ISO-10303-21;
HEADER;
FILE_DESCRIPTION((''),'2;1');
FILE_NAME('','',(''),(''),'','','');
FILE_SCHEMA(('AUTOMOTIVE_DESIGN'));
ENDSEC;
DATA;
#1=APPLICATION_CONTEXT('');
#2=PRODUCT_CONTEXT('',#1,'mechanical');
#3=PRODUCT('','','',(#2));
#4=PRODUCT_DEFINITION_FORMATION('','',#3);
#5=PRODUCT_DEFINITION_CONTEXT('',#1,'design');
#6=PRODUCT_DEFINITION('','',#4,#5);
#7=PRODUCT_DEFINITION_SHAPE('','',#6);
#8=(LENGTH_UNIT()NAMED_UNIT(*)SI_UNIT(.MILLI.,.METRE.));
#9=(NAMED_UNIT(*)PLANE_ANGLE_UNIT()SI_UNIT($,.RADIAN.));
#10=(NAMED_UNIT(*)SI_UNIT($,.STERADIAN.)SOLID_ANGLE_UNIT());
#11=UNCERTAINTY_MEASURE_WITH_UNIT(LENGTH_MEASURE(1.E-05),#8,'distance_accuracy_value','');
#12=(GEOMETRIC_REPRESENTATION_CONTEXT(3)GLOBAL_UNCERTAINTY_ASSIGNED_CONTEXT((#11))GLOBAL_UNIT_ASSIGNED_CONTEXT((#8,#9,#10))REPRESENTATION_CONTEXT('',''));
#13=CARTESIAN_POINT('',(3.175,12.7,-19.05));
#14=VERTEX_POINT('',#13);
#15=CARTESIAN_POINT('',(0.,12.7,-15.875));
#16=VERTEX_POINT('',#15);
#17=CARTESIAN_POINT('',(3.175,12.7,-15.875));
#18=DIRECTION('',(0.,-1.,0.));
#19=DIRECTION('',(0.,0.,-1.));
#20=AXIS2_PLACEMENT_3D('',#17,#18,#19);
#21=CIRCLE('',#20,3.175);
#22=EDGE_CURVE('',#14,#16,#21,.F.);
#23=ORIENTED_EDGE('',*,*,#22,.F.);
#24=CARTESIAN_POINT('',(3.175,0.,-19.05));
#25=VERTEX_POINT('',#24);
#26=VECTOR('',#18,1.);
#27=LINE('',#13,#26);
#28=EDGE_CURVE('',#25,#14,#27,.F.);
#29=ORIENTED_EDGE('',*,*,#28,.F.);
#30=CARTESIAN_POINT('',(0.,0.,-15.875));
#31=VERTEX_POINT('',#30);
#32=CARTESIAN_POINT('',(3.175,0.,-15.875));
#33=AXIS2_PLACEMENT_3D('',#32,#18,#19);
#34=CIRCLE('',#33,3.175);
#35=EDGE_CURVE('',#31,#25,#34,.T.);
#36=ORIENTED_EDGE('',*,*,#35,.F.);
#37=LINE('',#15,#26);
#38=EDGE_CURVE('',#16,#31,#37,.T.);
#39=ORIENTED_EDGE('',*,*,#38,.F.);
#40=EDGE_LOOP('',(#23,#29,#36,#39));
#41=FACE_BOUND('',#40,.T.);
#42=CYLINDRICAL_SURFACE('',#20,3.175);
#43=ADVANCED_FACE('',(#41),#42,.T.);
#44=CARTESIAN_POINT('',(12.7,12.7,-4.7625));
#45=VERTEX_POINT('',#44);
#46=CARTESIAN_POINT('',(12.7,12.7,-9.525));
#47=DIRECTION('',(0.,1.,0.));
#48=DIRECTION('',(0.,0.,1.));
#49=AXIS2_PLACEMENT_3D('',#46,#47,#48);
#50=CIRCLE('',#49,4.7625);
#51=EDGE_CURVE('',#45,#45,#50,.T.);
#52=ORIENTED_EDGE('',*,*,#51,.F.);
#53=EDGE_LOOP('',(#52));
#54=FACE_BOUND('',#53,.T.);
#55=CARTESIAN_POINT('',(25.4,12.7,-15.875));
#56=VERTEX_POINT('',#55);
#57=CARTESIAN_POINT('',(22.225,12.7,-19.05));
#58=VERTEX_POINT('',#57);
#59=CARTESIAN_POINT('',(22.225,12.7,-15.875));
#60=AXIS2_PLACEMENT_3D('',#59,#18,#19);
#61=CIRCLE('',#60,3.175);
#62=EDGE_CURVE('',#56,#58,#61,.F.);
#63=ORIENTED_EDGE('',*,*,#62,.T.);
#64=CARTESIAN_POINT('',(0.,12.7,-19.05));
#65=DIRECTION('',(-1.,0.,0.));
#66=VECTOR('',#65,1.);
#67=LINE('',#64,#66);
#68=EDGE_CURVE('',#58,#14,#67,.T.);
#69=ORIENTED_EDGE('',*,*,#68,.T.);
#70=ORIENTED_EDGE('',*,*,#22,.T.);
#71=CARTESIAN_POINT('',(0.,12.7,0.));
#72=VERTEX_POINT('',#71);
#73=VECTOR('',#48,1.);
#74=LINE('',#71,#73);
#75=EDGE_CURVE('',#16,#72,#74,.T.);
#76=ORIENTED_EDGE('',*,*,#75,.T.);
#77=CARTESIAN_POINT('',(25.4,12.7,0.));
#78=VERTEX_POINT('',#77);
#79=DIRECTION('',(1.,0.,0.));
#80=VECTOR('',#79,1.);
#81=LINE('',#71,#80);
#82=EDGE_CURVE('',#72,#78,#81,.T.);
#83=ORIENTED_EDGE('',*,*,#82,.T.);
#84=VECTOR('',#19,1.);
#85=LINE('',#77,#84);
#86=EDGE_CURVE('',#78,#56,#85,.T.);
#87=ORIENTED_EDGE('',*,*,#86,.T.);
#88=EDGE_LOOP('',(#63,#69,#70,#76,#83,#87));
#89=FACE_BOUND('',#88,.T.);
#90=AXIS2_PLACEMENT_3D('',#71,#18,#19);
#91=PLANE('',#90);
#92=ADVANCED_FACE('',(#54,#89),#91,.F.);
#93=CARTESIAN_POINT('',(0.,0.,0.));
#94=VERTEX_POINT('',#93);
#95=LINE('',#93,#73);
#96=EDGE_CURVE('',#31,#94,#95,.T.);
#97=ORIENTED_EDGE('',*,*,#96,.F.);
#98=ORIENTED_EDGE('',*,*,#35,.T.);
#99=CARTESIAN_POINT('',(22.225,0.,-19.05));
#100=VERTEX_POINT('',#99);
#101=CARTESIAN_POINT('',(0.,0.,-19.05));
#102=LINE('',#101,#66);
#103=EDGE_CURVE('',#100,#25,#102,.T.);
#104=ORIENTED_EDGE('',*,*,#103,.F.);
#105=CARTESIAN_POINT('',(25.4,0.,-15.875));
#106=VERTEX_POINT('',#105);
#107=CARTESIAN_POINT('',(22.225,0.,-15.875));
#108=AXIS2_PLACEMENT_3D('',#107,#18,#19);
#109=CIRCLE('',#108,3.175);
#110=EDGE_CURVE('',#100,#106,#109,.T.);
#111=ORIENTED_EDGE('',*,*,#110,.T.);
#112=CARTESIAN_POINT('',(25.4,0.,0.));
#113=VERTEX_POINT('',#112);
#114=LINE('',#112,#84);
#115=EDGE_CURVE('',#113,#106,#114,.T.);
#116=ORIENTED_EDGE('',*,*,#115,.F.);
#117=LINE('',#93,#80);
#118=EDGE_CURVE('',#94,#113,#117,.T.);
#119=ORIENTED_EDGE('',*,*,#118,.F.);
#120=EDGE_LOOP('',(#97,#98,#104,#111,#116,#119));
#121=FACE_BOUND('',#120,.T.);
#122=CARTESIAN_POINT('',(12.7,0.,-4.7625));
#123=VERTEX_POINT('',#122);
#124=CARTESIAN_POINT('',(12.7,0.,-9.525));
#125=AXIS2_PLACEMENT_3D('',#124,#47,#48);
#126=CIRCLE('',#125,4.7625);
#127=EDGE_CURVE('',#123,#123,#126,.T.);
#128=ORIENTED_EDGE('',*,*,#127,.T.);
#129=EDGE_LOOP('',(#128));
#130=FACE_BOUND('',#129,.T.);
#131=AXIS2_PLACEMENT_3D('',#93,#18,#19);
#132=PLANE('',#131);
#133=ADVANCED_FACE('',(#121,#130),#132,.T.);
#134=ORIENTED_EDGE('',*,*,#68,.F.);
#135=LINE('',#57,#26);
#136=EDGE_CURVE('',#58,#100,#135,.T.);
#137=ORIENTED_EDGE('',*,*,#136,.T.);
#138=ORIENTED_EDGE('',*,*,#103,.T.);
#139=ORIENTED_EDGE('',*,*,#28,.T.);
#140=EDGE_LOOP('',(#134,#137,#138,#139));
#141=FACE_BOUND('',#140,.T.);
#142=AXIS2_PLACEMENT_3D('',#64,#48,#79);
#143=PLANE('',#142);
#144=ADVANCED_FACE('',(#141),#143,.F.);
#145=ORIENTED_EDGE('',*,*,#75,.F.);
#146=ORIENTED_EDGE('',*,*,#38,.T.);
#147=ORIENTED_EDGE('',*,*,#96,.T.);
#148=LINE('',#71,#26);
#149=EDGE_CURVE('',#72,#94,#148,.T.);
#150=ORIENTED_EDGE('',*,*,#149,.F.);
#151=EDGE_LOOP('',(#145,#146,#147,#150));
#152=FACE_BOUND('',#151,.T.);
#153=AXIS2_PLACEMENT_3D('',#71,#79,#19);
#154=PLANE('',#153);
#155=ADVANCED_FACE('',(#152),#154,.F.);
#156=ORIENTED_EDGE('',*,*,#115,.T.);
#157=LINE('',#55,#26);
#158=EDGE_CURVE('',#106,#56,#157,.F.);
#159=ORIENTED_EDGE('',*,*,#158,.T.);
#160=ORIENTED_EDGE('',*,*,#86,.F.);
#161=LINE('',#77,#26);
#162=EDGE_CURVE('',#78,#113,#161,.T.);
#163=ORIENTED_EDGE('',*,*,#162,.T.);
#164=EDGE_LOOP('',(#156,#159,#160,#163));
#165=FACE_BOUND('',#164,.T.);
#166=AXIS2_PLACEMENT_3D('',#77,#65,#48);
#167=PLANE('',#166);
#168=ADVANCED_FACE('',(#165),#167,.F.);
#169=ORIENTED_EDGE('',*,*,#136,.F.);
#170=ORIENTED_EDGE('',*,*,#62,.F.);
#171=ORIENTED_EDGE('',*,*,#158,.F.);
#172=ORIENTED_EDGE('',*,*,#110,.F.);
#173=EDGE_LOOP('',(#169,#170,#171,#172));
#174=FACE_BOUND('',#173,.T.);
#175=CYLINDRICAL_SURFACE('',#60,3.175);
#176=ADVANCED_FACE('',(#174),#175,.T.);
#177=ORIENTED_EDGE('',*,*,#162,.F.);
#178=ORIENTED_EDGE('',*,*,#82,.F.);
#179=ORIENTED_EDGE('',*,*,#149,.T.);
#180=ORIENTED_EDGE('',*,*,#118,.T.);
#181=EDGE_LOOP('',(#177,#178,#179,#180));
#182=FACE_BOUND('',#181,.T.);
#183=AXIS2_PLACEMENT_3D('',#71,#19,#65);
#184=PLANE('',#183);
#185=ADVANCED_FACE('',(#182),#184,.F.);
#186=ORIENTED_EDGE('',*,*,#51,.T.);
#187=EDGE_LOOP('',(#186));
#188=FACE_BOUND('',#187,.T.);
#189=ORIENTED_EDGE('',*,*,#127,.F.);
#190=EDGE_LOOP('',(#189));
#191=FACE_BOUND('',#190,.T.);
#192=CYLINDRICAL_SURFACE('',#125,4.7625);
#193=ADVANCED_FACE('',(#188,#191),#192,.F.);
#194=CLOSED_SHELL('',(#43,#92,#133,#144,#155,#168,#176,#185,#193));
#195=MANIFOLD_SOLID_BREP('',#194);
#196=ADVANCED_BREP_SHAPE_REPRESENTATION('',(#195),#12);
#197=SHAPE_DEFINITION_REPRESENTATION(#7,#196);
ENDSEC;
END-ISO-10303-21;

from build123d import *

# Parameters (mm, degrees)
SKETCH1_W           = 25.4
SKETCH1_H           = 19.05
BOSS_EXTRUDE1_DEPTH = 12.7
SKETCH2_R           = 4.7625
CUT_EXTRUDE1_DEPTH  = 35.195796525
FILLET1_R           = 3.175


with BuildPart() as part:
    # Sketch1 → Boss-Extrude1 (new body)
    with BuildSketch(Plane(origin=(0, 0, 0), x_dir=(1, 0, 0), z_dir=(0, 1, 0))):
        with Locations((12.7, 9.525)):
            Rectangle(SKETCH1_W, SKETCH1_H)
    extrude(amount=BOSS_EXTRUDE1_DEPTH)

    # Sketch2 → Cut-Extrude1 (cut, through all)
    with BuildSketch(Plane(origin=(0, 12.7, 0), x_dir=(1, 0, 0), z_dir=(0, 1, 0))):
        with Locations(Location((12.7, 9.525, 0), (0, 0, 270))):
            Circle(SKETCH2_R)
    extrude(amount=-CUT_EXTRUDE1_DEPTH, mode=Mode.SUBTRACT)

    # Fillet1
    fillet1_edges = [part.edges().sort_by_distance(p)[0] for p in [
        (0, 6.35, -19.05),
        (25.4, 6.35, -19.05),
    ]]
    fillet(fillet1_edges, radius=FILLET1_R)


solid = part.part
